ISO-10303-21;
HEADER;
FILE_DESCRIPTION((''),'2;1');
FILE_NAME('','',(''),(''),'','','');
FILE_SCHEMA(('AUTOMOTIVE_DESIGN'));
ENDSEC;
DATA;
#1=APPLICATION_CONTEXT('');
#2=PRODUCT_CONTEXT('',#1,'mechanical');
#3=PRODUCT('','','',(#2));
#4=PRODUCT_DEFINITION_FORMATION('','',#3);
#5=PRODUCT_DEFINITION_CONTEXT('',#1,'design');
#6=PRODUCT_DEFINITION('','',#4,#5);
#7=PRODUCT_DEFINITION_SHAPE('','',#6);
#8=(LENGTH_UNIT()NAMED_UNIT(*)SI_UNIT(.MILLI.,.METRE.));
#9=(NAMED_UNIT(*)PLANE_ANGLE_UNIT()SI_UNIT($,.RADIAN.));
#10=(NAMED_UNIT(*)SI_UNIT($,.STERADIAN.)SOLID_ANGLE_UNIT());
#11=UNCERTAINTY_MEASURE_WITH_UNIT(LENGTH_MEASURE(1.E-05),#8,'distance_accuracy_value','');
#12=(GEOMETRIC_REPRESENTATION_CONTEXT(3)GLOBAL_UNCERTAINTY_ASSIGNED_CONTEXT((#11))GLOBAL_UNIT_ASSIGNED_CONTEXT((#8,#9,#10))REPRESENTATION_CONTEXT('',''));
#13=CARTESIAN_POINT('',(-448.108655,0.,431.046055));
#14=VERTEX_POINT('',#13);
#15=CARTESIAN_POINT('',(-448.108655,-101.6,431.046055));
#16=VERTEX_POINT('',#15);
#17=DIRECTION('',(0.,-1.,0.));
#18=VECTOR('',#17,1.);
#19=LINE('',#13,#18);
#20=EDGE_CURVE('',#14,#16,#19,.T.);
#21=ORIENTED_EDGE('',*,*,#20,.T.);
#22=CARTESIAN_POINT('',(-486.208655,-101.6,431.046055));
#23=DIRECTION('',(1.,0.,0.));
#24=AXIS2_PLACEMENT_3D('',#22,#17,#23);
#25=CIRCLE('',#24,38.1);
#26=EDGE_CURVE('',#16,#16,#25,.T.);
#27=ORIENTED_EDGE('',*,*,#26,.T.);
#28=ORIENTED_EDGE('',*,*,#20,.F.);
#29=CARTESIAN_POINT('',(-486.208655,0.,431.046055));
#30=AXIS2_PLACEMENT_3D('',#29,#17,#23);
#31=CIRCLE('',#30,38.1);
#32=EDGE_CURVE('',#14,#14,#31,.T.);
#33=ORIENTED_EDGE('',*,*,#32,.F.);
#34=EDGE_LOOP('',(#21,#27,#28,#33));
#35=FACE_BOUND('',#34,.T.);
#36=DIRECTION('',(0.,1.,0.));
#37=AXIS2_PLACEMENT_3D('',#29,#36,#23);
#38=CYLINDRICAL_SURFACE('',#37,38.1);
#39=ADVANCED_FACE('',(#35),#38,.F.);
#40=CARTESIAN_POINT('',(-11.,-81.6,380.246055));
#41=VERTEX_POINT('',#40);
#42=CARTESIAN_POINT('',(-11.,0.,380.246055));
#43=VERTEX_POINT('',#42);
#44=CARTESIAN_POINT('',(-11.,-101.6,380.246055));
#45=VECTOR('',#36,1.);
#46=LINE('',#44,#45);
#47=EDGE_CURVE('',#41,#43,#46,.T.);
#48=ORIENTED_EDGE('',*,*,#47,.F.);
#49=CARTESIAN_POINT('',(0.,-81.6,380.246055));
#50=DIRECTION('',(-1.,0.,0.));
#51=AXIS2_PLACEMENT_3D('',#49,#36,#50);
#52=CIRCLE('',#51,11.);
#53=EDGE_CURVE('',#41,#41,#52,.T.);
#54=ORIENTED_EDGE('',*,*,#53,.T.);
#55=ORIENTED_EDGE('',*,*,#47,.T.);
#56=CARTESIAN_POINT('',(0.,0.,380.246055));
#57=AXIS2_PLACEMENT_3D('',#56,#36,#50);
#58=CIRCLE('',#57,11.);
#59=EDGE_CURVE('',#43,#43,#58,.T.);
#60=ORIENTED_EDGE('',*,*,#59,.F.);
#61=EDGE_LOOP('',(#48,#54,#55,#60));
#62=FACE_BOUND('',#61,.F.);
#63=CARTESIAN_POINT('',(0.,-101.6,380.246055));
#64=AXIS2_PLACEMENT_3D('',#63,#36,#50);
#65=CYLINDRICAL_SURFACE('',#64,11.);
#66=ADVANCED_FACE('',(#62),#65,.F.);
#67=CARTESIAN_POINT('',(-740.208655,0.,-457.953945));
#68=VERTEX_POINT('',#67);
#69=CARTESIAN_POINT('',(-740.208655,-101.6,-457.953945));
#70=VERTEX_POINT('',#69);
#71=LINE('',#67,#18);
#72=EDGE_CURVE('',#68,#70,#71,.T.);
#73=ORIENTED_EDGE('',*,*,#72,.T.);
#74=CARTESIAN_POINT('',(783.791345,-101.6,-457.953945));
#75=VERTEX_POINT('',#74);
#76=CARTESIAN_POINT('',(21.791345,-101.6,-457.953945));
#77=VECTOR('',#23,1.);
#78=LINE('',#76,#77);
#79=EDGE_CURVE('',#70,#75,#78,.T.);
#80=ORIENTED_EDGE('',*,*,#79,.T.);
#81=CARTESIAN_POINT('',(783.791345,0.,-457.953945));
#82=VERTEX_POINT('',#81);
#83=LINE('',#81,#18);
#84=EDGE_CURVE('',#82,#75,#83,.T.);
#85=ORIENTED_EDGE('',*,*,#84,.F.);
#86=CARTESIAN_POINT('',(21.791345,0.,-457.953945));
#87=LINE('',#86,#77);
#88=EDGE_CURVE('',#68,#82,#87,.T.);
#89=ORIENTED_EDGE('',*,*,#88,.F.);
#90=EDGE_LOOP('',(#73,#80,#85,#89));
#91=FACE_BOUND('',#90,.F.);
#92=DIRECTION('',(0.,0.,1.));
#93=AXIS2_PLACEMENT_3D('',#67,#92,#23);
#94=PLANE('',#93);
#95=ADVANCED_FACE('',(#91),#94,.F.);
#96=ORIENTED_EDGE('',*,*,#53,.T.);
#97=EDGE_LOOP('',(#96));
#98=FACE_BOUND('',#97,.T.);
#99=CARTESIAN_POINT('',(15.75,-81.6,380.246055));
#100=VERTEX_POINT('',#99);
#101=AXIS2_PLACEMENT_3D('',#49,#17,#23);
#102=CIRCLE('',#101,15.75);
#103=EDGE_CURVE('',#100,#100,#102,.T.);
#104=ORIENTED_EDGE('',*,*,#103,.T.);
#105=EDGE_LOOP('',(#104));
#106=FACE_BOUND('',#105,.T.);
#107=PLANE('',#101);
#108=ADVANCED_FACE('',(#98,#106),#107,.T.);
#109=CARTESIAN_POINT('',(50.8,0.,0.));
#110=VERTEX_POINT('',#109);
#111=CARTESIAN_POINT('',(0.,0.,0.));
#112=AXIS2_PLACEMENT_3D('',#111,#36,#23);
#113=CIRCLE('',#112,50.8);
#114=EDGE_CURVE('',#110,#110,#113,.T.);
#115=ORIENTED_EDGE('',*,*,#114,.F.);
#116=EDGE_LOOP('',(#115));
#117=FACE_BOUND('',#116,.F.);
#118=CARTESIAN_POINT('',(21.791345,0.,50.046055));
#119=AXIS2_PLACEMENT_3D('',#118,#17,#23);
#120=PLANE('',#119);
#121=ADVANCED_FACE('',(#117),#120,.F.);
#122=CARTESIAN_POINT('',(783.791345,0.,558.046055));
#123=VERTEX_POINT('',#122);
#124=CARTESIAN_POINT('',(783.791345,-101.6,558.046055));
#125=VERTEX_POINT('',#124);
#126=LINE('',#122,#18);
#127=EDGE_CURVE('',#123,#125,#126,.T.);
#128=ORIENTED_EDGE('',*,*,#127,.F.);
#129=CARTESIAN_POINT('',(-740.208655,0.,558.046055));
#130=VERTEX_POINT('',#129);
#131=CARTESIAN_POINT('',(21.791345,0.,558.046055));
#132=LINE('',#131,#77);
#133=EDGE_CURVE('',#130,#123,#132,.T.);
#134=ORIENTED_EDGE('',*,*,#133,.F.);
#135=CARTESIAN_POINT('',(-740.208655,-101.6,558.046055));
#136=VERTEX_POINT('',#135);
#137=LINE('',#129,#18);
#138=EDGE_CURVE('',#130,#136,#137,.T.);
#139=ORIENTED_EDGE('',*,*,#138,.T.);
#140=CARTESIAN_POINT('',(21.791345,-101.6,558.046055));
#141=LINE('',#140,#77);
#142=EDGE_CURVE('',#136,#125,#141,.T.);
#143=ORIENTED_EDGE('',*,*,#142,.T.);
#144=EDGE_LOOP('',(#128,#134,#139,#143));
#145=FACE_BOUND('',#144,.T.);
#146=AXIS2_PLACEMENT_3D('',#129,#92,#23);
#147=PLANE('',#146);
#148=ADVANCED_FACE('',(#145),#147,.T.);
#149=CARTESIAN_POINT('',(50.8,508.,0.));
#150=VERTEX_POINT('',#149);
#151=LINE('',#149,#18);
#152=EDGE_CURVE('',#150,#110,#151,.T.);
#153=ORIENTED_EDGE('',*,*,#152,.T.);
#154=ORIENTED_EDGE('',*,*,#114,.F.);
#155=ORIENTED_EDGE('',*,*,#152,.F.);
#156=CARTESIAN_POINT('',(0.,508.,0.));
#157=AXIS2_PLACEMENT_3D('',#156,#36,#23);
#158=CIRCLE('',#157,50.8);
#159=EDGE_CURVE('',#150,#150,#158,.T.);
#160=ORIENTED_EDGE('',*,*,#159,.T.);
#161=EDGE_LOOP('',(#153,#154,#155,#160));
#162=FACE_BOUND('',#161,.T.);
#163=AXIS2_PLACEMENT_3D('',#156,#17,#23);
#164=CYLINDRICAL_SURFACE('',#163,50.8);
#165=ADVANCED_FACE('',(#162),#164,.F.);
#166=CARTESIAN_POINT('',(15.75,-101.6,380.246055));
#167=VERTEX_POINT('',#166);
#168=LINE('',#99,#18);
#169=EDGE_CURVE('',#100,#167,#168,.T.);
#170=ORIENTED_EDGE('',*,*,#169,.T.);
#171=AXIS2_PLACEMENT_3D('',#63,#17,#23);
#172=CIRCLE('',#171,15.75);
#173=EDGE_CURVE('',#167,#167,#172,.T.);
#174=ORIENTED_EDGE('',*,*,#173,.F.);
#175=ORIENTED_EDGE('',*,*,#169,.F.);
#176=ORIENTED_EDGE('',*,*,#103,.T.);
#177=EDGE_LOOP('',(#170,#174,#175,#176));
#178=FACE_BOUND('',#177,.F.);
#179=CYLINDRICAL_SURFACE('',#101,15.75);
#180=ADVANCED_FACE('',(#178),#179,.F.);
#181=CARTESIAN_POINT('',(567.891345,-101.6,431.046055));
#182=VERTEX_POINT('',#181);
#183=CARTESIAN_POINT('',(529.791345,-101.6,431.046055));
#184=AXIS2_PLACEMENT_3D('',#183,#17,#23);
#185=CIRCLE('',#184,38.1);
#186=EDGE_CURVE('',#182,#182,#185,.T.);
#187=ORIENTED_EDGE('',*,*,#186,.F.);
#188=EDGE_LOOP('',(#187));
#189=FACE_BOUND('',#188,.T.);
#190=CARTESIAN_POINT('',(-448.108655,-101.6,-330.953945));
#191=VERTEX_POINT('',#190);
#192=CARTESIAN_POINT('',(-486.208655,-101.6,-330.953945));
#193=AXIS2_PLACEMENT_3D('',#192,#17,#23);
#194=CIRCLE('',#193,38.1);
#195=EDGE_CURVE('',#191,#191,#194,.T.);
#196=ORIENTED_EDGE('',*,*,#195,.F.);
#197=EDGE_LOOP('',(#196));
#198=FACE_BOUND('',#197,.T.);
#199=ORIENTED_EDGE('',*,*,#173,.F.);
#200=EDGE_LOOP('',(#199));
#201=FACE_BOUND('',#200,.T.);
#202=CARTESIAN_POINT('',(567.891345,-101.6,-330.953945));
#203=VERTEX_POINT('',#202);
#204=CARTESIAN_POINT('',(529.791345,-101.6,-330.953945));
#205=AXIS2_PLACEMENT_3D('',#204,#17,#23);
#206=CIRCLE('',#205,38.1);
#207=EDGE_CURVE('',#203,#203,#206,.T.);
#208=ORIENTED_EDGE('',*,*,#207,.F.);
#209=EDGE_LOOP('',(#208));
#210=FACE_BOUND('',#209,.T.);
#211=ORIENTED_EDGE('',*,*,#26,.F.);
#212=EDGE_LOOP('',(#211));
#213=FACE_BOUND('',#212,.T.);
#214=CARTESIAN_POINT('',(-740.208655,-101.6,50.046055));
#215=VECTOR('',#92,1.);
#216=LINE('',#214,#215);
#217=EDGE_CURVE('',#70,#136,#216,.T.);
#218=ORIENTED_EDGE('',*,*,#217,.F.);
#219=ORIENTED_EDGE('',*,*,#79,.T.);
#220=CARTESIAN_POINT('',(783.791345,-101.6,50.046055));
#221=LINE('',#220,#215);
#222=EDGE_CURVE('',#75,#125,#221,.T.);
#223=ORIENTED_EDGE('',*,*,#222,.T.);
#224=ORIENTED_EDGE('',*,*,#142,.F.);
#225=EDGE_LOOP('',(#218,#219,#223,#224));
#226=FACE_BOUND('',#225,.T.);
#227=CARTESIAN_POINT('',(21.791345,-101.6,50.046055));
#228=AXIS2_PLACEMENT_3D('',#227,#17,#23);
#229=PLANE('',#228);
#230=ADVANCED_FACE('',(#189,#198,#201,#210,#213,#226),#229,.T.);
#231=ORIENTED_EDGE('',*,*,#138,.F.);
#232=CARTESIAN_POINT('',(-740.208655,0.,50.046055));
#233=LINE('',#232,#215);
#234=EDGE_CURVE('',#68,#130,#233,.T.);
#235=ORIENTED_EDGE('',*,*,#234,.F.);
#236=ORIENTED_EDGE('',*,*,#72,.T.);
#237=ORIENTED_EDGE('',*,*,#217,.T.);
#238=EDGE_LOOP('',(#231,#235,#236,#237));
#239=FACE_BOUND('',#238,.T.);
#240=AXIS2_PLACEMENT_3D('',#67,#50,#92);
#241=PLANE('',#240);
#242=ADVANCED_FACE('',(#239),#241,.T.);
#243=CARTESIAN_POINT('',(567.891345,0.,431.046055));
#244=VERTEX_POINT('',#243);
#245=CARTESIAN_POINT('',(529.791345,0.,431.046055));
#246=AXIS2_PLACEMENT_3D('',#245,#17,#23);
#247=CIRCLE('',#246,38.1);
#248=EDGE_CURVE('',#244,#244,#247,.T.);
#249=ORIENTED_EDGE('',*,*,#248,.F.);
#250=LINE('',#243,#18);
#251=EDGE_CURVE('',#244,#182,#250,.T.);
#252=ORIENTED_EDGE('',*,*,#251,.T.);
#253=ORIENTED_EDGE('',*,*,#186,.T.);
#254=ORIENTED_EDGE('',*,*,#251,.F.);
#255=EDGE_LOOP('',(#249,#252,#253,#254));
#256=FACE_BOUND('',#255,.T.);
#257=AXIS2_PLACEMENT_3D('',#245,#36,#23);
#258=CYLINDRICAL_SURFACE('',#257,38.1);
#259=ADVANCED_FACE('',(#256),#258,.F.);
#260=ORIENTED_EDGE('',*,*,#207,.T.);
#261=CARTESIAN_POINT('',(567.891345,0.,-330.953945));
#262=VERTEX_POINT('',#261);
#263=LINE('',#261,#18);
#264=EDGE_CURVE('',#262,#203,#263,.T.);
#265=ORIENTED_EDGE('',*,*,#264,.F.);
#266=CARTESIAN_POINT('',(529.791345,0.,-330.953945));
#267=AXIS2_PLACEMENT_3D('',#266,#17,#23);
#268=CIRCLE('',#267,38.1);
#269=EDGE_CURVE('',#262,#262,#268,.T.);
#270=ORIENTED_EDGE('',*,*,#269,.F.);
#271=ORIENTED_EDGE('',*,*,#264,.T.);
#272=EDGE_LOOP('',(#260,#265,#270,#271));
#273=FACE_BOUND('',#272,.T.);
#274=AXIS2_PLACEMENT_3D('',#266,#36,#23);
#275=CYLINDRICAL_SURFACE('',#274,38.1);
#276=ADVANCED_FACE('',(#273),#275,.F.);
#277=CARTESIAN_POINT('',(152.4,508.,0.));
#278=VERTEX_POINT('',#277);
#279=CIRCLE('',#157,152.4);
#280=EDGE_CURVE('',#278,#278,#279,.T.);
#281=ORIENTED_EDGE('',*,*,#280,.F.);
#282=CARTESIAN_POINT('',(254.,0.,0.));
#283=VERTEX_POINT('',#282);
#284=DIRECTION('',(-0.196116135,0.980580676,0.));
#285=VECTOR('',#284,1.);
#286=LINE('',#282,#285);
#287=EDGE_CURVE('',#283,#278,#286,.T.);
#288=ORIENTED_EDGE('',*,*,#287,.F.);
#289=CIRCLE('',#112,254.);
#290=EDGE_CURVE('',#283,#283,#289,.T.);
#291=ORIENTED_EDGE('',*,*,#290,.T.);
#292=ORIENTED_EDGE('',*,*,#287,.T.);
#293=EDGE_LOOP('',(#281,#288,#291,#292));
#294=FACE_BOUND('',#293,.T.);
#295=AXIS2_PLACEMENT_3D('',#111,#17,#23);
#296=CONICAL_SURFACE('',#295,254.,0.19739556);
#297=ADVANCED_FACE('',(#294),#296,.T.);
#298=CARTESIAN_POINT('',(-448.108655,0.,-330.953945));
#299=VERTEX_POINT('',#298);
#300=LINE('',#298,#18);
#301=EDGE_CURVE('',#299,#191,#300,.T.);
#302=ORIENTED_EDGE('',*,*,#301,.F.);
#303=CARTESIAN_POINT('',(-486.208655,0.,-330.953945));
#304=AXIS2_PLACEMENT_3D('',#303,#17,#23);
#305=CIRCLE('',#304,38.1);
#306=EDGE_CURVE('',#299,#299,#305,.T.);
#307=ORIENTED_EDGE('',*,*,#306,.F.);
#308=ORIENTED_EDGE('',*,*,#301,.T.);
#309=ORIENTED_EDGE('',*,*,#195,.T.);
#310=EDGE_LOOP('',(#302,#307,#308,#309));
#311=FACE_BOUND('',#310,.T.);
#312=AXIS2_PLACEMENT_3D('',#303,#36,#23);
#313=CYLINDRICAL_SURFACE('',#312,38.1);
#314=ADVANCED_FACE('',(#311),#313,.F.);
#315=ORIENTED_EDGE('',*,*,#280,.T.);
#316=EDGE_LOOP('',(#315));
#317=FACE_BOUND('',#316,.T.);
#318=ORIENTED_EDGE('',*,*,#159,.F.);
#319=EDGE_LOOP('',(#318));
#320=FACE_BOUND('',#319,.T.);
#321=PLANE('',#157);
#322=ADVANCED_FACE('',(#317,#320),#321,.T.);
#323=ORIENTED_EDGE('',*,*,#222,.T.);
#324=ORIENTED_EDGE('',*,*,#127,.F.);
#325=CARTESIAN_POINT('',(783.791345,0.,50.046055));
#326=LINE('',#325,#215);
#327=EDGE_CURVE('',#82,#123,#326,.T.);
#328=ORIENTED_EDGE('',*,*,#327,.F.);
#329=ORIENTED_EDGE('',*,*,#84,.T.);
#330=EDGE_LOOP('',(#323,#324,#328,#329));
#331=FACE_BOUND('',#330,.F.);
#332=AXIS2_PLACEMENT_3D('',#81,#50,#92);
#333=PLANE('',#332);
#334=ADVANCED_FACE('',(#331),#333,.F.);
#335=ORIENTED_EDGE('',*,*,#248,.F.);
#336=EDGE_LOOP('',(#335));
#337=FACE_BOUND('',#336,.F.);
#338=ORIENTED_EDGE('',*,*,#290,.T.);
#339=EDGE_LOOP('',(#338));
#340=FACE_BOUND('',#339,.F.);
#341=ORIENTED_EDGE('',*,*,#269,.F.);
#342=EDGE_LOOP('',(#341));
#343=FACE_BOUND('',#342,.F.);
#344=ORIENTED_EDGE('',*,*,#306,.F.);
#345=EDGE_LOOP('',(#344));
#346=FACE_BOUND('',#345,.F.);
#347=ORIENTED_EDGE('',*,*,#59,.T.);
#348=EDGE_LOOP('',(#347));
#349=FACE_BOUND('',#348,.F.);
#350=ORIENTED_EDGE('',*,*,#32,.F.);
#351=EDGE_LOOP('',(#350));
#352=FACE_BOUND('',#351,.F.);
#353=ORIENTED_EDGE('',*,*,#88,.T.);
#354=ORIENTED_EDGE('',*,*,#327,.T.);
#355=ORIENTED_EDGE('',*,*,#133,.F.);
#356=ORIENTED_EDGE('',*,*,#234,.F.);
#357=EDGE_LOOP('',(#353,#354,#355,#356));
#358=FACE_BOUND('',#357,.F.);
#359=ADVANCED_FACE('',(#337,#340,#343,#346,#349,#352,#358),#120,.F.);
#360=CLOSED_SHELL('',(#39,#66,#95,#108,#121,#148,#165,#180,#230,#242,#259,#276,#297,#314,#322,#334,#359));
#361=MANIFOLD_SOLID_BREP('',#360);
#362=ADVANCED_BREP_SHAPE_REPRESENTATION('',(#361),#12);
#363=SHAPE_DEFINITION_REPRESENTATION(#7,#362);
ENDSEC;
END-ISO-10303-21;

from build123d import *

# Parameters (mm, degrees)
F0_W           = 1524
F0_H           = 1016
F0_R           = 38.1
F1_DEPTH       = 101.6
F5_D           = 22
F5_CBORE_D     = 31.5
F5_CBORE_DEPTH = 20


with BuildPart() as f1:
    # F0 (on Front) → F1 (new body)
    with BuildSketch(Plane.XZ):
        with Locations((21.7913445085, 50.0460547454)):
            Rectangle(F0_W, F0_H)
        with Locations((-486.2086554915, -330.9539452546)):
            Circle(F0_R, mode=Mode.SUBTRACT)
        with Locations((529.7913445085, -330.9539452546)):
            Circle(F0_R, mode=Mode.SUBTRACT)
        with Locations((-486.2086554915, 431.0460547454)):
            Circle(F0_R, mode=Mode.SUBTRACT)
        with Locations((529.7913445085, 431.0460547454)):
            Circle(F0_R, mode=Mode.SUBTRACT)
    extrude(amount=F1_DEPTH)

    # F2 (on Top) → F3 (revolve)
    with BuildSketch(Plane.XY):
        Polygon((50.8, 508), (50.8, 0), (254, 0), (152.4, 508), align=None)
    revolve(axis=Axis((0, 140.2586251497, 0), (0, 1, 0)))

    # F5 (through all)
    with Locations(Plane.XZ.offset(101.6)):
        with Locations((0, 380.2460547454)):
            CounterBoreHole(F5_D / 2, F5_CBORE_D / 2, F5_CBORE_DEPTH)


solid = f1.part
